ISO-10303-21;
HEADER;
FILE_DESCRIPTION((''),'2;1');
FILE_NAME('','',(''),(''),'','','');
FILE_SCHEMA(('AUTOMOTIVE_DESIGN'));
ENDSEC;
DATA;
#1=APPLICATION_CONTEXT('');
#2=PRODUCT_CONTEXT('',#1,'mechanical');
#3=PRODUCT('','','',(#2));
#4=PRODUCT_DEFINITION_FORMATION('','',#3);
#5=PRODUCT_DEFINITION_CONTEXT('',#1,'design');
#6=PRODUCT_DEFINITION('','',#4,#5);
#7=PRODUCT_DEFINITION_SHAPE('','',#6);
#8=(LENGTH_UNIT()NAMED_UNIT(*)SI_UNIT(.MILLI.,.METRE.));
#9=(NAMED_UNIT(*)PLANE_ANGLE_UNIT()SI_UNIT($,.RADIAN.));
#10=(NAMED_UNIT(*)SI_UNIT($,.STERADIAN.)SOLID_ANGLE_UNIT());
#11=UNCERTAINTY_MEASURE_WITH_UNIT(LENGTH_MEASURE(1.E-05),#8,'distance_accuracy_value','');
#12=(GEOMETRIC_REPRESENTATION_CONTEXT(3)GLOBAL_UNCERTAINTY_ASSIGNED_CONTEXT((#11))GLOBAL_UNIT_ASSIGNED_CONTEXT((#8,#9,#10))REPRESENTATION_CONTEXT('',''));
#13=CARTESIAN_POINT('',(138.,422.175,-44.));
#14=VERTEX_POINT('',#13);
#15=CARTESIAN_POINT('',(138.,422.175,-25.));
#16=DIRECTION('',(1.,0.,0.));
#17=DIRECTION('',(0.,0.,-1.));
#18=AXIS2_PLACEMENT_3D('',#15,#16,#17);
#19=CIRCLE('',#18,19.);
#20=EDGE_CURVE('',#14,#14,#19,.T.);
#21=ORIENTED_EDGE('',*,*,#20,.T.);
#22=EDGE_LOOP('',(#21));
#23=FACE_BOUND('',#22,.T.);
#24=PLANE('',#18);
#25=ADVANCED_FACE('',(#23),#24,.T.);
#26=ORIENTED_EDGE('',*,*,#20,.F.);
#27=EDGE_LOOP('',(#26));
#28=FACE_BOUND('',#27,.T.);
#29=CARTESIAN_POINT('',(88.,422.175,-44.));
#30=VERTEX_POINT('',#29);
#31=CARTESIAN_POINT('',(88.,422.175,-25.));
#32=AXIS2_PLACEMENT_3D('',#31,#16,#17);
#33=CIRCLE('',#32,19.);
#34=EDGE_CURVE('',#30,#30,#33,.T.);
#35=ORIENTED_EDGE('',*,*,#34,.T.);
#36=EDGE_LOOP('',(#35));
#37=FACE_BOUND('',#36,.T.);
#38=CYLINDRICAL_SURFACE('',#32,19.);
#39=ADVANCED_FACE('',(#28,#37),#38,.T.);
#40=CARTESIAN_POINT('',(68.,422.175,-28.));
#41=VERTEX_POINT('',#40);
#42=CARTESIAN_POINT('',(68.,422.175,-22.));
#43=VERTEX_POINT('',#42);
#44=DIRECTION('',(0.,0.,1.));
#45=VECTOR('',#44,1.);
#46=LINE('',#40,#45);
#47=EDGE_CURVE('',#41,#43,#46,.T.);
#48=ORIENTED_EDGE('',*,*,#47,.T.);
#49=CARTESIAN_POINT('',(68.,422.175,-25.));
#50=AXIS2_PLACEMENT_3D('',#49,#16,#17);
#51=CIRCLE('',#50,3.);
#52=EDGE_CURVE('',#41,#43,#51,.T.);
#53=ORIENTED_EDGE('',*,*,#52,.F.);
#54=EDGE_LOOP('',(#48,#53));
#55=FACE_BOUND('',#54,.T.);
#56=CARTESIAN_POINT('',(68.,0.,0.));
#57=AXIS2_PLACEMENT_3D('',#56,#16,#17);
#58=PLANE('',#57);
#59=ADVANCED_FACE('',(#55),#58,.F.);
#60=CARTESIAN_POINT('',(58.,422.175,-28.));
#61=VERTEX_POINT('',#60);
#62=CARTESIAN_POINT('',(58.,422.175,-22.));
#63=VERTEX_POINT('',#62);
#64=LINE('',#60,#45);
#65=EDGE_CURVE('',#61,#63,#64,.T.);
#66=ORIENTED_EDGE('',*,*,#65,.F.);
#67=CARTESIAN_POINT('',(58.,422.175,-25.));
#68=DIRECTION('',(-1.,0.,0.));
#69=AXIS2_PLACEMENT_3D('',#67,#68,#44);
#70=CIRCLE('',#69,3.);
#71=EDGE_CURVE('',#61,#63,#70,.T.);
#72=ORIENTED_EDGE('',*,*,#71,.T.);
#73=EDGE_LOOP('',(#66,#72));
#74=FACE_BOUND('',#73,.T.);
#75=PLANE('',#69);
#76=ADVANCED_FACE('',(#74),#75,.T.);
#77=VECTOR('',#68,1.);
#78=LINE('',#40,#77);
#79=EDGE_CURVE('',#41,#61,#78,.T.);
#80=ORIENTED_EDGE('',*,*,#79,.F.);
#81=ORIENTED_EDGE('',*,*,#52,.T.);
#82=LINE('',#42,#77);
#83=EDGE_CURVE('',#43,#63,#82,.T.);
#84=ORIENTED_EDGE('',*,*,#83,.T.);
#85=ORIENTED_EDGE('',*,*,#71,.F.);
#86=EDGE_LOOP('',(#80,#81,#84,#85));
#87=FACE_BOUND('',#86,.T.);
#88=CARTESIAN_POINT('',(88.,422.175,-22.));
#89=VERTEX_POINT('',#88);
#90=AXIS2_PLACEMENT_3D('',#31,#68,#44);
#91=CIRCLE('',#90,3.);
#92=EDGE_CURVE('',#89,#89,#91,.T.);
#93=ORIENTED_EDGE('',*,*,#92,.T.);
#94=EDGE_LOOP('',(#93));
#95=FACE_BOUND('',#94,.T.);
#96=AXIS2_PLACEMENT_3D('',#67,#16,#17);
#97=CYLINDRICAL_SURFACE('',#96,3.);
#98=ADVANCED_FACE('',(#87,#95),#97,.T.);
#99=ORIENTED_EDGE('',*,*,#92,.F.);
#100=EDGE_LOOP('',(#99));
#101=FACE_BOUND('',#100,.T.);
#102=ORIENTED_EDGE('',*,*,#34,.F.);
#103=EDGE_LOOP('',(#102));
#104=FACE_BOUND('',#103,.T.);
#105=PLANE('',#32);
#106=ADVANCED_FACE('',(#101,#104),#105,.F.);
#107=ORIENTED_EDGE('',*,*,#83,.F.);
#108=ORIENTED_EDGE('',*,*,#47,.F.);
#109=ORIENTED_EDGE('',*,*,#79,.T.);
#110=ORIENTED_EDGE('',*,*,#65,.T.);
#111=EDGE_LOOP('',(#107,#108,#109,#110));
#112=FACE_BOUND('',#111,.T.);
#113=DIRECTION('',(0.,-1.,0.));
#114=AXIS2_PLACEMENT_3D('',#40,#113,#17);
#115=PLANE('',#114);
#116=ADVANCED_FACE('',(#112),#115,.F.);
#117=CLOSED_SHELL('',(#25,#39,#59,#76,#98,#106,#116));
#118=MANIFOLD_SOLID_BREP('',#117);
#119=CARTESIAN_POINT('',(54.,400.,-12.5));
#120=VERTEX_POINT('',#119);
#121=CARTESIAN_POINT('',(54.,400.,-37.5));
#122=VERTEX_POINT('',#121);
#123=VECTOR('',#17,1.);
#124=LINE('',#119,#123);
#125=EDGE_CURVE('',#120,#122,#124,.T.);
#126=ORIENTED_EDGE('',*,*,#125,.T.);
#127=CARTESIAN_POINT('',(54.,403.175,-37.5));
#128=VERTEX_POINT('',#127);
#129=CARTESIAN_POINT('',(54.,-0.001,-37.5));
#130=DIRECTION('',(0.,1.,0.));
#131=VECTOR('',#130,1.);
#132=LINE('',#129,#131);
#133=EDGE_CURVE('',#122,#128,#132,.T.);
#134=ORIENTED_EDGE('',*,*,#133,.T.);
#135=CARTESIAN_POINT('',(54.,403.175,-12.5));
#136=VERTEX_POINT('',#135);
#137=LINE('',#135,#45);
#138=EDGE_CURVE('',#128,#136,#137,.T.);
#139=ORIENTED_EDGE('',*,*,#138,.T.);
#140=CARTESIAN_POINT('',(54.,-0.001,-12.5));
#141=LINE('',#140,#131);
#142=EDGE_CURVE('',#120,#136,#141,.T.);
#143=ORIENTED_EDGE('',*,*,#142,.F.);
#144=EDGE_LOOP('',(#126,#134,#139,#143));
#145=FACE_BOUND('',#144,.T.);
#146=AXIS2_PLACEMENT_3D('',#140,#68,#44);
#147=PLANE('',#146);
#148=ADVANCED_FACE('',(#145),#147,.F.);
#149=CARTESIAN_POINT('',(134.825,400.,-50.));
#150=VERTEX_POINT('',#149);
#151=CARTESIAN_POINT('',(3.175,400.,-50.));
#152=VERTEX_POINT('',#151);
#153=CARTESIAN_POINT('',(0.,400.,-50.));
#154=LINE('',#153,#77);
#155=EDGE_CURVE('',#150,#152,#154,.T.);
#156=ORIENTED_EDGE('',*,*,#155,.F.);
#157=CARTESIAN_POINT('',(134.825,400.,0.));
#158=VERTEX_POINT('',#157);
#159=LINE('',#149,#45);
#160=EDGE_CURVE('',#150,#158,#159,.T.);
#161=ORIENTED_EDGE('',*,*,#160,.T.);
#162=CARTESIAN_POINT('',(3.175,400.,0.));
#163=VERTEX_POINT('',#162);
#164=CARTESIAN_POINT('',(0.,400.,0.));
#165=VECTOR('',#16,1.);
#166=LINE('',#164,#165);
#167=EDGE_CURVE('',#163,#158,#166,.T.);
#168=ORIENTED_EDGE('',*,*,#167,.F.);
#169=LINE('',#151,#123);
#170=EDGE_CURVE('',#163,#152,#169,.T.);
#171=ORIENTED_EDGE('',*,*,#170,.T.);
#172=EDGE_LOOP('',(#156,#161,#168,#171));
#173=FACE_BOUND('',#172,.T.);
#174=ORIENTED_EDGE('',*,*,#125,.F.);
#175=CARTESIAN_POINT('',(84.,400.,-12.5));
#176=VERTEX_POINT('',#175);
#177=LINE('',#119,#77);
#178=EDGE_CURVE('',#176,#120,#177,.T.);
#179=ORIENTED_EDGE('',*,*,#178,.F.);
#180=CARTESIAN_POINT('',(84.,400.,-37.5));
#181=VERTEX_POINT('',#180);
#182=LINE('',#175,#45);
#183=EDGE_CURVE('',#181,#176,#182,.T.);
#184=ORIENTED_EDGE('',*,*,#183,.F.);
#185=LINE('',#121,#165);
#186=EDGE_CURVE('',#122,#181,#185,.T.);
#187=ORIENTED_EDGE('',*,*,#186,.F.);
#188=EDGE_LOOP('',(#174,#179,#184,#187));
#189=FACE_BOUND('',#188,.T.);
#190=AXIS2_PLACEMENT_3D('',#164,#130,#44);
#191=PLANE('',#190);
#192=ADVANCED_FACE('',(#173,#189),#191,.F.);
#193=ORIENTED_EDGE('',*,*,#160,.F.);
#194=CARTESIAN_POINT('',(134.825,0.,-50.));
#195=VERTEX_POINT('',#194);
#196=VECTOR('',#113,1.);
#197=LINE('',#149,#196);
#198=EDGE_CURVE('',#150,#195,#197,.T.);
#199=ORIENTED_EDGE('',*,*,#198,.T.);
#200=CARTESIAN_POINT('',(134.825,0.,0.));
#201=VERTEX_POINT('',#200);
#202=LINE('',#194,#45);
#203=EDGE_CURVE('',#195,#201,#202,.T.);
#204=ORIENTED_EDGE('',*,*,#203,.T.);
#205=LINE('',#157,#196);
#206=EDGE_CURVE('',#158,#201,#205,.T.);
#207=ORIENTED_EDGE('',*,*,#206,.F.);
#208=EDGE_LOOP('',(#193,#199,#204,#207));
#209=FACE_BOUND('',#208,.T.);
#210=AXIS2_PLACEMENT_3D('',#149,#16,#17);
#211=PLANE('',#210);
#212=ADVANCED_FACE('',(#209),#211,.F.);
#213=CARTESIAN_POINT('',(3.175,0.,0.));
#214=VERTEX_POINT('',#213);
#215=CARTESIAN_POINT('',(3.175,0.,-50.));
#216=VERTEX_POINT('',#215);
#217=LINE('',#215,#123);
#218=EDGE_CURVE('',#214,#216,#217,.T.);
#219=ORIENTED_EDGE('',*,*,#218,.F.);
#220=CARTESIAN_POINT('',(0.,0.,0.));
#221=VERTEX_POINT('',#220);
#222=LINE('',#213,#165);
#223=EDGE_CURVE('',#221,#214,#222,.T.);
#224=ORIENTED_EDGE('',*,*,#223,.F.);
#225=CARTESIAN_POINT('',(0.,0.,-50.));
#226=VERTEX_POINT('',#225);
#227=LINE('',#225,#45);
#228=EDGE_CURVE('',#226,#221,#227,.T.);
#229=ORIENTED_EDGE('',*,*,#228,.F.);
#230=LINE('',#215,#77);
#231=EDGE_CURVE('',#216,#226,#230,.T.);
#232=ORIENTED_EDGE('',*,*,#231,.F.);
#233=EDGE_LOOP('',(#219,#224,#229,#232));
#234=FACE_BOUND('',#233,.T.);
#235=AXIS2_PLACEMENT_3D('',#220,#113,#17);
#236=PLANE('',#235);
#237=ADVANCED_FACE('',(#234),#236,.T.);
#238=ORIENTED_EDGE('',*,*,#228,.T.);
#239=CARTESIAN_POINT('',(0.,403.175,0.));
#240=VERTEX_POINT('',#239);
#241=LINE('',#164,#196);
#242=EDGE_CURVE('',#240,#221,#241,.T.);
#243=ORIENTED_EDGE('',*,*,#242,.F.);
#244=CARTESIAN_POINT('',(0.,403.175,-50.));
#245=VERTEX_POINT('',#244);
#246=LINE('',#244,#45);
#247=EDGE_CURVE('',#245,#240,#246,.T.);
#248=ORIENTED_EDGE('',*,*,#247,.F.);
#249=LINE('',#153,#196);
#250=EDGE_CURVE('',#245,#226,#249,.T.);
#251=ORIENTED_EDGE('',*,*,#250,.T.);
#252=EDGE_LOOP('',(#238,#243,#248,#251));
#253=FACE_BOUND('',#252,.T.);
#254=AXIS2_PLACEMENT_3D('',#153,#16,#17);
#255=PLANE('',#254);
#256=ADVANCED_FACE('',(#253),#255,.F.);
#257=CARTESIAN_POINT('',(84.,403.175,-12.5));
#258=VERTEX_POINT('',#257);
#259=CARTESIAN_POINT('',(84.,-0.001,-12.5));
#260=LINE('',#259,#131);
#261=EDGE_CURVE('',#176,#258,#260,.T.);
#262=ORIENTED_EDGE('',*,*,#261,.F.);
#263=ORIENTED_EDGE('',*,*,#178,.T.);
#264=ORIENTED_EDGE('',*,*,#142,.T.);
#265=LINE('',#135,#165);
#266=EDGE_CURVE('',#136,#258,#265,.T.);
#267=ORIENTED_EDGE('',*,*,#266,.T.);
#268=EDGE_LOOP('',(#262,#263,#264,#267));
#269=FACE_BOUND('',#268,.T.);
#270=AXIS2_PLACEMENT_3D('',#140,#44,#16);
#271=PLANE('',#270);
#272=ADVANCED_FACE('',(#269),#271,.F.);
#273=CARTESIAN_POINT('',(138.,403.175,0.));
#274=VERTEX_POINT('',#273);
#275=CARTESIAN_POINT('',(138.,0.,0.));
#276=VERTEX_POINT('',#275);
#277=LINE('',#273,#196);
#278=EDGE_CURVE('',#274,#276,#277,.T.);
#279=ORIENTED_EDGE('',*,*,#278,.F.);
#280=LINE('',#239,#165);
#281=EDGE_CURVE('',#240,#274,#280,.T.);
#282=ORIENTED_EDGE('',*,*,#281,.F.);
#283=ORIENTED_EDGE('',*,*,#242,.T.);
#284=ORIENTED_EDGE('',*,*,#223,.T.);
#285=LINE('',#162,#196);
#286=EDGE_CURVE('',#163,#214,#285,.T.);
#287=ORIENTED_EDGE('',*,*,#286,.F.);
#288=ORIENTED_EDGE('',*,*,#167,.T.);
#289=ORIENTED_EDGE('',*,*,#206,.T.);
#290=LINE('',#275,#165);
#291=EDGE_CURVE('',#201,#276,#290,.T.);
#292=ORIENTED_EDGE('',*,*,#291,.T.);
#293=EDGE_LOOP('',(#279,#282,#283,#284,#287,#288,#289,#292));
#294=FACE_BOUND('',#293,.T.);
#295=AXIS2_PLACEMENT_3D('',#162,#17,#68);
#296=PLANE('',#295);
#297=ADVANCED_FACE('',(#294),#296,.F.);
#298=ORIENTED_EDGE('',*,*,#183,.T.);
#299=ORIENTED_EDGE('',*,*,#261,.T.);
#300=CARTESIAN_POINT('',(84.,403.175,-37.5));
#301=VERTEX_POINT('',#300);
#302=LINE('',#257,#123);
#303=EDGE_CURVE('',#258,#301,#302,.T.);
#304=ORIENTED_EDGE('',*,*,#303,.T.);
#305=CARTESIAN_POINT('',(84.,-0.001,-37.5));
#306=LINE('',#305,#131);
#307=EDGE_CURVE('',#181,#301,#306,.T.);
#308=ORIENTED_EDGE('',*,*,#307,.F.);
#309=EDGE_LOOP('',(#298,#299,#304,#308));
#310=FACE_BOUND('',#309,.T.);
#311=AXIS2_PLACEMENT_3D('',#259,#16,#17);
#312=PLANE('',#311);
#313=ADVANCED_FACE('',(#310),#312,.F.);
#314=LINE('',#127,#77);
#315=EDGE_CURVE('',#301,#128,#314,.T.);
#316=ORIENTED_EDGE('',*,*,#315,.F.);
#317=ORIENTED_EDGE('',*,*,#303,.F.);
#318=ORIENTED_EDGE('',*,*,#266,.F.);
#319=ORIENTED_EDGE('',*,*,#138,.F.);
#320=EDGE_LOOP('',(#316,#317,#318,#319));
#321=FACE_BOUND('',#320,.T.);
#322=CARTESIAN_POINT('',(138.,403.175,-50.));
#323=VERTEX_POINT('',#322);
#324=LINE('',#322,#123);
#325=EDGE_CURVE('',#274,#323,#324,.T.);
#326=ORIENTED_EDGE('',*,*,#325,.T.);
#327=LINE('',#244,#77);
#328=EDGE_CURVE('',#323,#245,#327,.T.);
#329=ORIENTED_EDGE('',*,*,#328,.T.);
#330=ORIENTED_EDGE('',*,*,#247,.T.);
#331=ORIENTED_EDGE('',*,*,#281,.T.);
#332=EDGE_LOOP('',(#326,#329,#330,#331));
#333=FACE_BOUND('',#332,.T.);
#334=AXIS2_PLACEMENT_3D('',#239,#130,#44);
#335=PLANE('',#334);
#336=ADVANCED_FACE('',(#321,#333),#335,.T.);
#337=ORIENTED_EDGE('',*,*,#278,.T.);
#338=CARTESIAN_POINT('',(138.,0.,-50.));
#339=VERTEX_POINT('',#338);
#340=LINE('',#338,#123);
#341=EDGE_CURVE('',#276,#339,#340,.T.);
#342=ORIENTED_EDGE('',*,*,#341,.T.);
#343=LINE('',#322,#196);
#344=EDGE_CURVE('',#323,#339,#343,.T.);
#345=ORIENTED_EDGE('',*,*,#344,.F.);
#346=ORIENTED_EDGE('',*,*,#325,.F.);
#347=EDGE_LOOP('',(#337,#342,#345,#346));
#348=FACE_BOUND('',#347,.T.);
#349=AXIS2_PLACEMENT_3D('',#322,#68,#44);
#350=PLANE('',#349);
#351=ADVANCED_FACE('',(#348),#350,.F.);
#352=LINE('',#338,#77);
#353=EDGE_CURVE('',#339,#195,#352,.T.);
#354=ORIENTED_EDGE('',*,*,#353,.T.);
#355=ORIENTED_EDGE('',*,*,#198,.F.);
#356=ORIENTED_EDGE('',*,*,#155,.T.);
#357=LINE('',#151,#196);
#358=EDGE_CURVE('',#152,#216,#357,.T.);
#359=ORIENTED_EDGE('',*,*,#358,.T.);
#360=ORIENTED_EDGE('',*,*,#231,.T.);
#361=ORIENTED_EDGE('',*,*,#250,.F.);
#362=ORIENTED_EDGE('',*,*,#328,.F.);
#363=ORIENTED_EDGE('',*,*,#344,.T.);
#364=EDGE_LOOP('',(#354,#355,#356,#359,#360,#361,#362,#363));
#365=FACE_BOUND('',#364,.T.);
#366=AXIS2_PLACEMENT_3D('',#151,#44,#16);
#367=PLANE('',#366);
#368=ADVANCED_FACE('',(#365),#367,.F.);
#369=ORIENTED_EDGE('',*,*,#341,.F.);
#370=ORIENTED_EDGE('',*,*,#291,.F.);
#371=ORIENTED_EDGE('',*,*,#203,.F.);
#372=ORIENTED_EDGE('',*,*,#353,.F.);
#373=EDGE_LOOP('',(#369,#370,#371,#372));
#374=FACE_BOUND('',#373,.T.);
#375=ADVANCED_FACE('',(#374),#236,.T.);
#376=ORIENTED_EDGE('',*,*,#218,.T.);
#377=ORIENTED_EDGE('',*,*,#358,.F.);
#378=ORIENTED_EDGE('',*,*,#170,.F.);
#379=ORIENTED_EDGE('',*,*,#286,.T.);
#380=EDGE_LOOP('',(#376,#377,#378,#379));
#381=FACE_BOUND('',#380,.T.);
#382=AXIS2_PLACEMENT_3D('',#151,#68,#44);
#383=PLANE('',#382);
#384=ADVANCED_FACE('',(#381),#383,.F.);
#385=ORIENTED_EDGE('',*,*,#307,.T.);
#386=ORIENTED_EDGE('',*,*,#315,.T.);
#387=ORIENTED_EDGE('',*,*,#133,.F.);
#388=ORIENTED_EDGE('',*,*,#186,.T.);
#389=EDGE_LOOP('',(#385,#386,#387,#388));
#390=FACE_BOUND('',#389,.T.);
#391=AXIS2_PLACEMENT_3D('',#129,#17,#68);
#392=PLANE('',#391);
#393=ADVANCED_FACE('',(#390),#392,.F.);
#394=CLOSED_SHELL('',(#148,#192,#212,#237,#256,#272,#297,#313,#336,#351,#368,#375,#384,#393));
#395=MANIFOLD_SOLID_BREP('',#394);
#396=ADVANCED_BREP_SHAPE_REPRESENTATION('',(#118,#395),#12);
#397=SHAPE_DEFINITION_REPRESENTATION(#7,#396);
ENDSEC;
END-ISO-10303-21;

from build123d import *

# Parameters (mm, degrees)
SKETCH2_W             = 3.175
SKETCH2_H             = 50
BOSS_EXTRUDE1_DEPTH   = 400
BOSS_EXTRUDE1_2_DEPTH = 400
SKETCH3_W             = 138
SKETCH3_H             = 50
BOSS_EXTRUDE2_DEPTH   = 3.175
CUT_EXTRUDE1_REACH    = 431.062
SKETCH4_W             = 30
SKETCH4_H             = 25
SKETCH5_R             = 19
BOSS_EXTRUDE3_DEPTH   = 50
SKETCH6_R             = 3
BOSS_EXTRUDE4_DEPTH   = 30
SKETCH7_W             = 6
SKETCH7_H             = 3
CUT_EXTRUDE2_DEPTH    = 10


with BuildPart() as part:
    # Sketch2 → Boss-Extrude1 (new body)
    with BuildSketch(Plane(origin=(0, 0, 0), x_dir=(1, 0, 0), z_dir=(0, 1, 0))):
        with Locations((1.5875, 25)):
            Rectangle(SKETCH2_W, SKETCH2_H)
    extrude(amount=BOSS_EXTRUDE1_DEPTH)



with BuildPart() as body_2:
    # Sketch2 → Boss-Extrude1 2 (new body)
    with BuildSketch(Plane(origin=(0, 0, 0), x_dir=(1, 0, 0), z_dir=(0, 1, 0))):
        with Locations((136.4125, 25)):
            Rectangle(SKETCH2_W, SKETCH2_H)
    extrude(amount=BOSS_EXTRUDE1_2_DEPTH)


with BuildPart() as part_1:
    add(part.part)

    add(body_2.part)  # Boss-Extrude2 merges body 2
    # Sketch3 → Boss-Extrude2 (add)
    with BuildSketch(Plane(origin=(0, 400, 0), x_dir=(1, 0, 0), z_dir=(0, 1, 0))):
        with Locations((69, 25)):
            Rectangle(SKETCH3_W, SKETCH3_H)
    extrude(amount=BOSS_EXTRUDE2_DEPTH)

    # Sketch4 → Cut-Extrude1 (cut, up to next)
    with BuildSketch(Plane(origin=(0, 403.175, 0), x_dir=(1, 0, 0), z_dir=(0, 1, 0)), mode=Mode.PRIVATE) as cut_extrude1_sk1:
        with Locations((69, 25)):
            Rectangle(SKETCH4_W, SKETCH4_H)
    cut_extrude1_tool1 = extrude(cut_extrude1_sk1.sketch, amount=-CUT_EXTRUDE1_REACH, mode=Mode.PRIVATE) & part_1.part
    add(cut_extrude1_tool1.solids().sort_by_distance((69, 403.175, -25))[0], mode=Mode.SUBTRACT)


with BuildPart() as body_2_2:
    # Sketch5 → Boss-Extrude3 (new body)
    with BuildSketch(Plane(origin=(138, 0, 0), x_dir=(0, 0, -1), z_dir=(1, 0, 0))):
        with Locations((25, 422.175)):
            Circle(SKETCH5_R)
    extrude(amount=-BOSS_EXTRUDE3_DEPTH)

    # Sketch6 → Boss-Extrude4 (add)
    with BuildSketch(Plane.ZY.offset(-88)):
        with Locations((-25, 422.175)):
            Circle(SKETCH6_R)
    extrude(amount=BOSS_EXTRUDE4_DEPTH)

    # Sketch7 → Cut-Extrude2 (cut)
    with BuildSketch(Plane.ZY.offset(-58)):
        with Locations((-25, 423.675)):
            Rectangle(SKETCH7_W, SKETCH7_H)
    extrude(amount=-CUT_EXTRUDE2_DEPTH, mode=Mode.SUBTRACT)


solid = Compound([part_1.part, body_2_2.part])
